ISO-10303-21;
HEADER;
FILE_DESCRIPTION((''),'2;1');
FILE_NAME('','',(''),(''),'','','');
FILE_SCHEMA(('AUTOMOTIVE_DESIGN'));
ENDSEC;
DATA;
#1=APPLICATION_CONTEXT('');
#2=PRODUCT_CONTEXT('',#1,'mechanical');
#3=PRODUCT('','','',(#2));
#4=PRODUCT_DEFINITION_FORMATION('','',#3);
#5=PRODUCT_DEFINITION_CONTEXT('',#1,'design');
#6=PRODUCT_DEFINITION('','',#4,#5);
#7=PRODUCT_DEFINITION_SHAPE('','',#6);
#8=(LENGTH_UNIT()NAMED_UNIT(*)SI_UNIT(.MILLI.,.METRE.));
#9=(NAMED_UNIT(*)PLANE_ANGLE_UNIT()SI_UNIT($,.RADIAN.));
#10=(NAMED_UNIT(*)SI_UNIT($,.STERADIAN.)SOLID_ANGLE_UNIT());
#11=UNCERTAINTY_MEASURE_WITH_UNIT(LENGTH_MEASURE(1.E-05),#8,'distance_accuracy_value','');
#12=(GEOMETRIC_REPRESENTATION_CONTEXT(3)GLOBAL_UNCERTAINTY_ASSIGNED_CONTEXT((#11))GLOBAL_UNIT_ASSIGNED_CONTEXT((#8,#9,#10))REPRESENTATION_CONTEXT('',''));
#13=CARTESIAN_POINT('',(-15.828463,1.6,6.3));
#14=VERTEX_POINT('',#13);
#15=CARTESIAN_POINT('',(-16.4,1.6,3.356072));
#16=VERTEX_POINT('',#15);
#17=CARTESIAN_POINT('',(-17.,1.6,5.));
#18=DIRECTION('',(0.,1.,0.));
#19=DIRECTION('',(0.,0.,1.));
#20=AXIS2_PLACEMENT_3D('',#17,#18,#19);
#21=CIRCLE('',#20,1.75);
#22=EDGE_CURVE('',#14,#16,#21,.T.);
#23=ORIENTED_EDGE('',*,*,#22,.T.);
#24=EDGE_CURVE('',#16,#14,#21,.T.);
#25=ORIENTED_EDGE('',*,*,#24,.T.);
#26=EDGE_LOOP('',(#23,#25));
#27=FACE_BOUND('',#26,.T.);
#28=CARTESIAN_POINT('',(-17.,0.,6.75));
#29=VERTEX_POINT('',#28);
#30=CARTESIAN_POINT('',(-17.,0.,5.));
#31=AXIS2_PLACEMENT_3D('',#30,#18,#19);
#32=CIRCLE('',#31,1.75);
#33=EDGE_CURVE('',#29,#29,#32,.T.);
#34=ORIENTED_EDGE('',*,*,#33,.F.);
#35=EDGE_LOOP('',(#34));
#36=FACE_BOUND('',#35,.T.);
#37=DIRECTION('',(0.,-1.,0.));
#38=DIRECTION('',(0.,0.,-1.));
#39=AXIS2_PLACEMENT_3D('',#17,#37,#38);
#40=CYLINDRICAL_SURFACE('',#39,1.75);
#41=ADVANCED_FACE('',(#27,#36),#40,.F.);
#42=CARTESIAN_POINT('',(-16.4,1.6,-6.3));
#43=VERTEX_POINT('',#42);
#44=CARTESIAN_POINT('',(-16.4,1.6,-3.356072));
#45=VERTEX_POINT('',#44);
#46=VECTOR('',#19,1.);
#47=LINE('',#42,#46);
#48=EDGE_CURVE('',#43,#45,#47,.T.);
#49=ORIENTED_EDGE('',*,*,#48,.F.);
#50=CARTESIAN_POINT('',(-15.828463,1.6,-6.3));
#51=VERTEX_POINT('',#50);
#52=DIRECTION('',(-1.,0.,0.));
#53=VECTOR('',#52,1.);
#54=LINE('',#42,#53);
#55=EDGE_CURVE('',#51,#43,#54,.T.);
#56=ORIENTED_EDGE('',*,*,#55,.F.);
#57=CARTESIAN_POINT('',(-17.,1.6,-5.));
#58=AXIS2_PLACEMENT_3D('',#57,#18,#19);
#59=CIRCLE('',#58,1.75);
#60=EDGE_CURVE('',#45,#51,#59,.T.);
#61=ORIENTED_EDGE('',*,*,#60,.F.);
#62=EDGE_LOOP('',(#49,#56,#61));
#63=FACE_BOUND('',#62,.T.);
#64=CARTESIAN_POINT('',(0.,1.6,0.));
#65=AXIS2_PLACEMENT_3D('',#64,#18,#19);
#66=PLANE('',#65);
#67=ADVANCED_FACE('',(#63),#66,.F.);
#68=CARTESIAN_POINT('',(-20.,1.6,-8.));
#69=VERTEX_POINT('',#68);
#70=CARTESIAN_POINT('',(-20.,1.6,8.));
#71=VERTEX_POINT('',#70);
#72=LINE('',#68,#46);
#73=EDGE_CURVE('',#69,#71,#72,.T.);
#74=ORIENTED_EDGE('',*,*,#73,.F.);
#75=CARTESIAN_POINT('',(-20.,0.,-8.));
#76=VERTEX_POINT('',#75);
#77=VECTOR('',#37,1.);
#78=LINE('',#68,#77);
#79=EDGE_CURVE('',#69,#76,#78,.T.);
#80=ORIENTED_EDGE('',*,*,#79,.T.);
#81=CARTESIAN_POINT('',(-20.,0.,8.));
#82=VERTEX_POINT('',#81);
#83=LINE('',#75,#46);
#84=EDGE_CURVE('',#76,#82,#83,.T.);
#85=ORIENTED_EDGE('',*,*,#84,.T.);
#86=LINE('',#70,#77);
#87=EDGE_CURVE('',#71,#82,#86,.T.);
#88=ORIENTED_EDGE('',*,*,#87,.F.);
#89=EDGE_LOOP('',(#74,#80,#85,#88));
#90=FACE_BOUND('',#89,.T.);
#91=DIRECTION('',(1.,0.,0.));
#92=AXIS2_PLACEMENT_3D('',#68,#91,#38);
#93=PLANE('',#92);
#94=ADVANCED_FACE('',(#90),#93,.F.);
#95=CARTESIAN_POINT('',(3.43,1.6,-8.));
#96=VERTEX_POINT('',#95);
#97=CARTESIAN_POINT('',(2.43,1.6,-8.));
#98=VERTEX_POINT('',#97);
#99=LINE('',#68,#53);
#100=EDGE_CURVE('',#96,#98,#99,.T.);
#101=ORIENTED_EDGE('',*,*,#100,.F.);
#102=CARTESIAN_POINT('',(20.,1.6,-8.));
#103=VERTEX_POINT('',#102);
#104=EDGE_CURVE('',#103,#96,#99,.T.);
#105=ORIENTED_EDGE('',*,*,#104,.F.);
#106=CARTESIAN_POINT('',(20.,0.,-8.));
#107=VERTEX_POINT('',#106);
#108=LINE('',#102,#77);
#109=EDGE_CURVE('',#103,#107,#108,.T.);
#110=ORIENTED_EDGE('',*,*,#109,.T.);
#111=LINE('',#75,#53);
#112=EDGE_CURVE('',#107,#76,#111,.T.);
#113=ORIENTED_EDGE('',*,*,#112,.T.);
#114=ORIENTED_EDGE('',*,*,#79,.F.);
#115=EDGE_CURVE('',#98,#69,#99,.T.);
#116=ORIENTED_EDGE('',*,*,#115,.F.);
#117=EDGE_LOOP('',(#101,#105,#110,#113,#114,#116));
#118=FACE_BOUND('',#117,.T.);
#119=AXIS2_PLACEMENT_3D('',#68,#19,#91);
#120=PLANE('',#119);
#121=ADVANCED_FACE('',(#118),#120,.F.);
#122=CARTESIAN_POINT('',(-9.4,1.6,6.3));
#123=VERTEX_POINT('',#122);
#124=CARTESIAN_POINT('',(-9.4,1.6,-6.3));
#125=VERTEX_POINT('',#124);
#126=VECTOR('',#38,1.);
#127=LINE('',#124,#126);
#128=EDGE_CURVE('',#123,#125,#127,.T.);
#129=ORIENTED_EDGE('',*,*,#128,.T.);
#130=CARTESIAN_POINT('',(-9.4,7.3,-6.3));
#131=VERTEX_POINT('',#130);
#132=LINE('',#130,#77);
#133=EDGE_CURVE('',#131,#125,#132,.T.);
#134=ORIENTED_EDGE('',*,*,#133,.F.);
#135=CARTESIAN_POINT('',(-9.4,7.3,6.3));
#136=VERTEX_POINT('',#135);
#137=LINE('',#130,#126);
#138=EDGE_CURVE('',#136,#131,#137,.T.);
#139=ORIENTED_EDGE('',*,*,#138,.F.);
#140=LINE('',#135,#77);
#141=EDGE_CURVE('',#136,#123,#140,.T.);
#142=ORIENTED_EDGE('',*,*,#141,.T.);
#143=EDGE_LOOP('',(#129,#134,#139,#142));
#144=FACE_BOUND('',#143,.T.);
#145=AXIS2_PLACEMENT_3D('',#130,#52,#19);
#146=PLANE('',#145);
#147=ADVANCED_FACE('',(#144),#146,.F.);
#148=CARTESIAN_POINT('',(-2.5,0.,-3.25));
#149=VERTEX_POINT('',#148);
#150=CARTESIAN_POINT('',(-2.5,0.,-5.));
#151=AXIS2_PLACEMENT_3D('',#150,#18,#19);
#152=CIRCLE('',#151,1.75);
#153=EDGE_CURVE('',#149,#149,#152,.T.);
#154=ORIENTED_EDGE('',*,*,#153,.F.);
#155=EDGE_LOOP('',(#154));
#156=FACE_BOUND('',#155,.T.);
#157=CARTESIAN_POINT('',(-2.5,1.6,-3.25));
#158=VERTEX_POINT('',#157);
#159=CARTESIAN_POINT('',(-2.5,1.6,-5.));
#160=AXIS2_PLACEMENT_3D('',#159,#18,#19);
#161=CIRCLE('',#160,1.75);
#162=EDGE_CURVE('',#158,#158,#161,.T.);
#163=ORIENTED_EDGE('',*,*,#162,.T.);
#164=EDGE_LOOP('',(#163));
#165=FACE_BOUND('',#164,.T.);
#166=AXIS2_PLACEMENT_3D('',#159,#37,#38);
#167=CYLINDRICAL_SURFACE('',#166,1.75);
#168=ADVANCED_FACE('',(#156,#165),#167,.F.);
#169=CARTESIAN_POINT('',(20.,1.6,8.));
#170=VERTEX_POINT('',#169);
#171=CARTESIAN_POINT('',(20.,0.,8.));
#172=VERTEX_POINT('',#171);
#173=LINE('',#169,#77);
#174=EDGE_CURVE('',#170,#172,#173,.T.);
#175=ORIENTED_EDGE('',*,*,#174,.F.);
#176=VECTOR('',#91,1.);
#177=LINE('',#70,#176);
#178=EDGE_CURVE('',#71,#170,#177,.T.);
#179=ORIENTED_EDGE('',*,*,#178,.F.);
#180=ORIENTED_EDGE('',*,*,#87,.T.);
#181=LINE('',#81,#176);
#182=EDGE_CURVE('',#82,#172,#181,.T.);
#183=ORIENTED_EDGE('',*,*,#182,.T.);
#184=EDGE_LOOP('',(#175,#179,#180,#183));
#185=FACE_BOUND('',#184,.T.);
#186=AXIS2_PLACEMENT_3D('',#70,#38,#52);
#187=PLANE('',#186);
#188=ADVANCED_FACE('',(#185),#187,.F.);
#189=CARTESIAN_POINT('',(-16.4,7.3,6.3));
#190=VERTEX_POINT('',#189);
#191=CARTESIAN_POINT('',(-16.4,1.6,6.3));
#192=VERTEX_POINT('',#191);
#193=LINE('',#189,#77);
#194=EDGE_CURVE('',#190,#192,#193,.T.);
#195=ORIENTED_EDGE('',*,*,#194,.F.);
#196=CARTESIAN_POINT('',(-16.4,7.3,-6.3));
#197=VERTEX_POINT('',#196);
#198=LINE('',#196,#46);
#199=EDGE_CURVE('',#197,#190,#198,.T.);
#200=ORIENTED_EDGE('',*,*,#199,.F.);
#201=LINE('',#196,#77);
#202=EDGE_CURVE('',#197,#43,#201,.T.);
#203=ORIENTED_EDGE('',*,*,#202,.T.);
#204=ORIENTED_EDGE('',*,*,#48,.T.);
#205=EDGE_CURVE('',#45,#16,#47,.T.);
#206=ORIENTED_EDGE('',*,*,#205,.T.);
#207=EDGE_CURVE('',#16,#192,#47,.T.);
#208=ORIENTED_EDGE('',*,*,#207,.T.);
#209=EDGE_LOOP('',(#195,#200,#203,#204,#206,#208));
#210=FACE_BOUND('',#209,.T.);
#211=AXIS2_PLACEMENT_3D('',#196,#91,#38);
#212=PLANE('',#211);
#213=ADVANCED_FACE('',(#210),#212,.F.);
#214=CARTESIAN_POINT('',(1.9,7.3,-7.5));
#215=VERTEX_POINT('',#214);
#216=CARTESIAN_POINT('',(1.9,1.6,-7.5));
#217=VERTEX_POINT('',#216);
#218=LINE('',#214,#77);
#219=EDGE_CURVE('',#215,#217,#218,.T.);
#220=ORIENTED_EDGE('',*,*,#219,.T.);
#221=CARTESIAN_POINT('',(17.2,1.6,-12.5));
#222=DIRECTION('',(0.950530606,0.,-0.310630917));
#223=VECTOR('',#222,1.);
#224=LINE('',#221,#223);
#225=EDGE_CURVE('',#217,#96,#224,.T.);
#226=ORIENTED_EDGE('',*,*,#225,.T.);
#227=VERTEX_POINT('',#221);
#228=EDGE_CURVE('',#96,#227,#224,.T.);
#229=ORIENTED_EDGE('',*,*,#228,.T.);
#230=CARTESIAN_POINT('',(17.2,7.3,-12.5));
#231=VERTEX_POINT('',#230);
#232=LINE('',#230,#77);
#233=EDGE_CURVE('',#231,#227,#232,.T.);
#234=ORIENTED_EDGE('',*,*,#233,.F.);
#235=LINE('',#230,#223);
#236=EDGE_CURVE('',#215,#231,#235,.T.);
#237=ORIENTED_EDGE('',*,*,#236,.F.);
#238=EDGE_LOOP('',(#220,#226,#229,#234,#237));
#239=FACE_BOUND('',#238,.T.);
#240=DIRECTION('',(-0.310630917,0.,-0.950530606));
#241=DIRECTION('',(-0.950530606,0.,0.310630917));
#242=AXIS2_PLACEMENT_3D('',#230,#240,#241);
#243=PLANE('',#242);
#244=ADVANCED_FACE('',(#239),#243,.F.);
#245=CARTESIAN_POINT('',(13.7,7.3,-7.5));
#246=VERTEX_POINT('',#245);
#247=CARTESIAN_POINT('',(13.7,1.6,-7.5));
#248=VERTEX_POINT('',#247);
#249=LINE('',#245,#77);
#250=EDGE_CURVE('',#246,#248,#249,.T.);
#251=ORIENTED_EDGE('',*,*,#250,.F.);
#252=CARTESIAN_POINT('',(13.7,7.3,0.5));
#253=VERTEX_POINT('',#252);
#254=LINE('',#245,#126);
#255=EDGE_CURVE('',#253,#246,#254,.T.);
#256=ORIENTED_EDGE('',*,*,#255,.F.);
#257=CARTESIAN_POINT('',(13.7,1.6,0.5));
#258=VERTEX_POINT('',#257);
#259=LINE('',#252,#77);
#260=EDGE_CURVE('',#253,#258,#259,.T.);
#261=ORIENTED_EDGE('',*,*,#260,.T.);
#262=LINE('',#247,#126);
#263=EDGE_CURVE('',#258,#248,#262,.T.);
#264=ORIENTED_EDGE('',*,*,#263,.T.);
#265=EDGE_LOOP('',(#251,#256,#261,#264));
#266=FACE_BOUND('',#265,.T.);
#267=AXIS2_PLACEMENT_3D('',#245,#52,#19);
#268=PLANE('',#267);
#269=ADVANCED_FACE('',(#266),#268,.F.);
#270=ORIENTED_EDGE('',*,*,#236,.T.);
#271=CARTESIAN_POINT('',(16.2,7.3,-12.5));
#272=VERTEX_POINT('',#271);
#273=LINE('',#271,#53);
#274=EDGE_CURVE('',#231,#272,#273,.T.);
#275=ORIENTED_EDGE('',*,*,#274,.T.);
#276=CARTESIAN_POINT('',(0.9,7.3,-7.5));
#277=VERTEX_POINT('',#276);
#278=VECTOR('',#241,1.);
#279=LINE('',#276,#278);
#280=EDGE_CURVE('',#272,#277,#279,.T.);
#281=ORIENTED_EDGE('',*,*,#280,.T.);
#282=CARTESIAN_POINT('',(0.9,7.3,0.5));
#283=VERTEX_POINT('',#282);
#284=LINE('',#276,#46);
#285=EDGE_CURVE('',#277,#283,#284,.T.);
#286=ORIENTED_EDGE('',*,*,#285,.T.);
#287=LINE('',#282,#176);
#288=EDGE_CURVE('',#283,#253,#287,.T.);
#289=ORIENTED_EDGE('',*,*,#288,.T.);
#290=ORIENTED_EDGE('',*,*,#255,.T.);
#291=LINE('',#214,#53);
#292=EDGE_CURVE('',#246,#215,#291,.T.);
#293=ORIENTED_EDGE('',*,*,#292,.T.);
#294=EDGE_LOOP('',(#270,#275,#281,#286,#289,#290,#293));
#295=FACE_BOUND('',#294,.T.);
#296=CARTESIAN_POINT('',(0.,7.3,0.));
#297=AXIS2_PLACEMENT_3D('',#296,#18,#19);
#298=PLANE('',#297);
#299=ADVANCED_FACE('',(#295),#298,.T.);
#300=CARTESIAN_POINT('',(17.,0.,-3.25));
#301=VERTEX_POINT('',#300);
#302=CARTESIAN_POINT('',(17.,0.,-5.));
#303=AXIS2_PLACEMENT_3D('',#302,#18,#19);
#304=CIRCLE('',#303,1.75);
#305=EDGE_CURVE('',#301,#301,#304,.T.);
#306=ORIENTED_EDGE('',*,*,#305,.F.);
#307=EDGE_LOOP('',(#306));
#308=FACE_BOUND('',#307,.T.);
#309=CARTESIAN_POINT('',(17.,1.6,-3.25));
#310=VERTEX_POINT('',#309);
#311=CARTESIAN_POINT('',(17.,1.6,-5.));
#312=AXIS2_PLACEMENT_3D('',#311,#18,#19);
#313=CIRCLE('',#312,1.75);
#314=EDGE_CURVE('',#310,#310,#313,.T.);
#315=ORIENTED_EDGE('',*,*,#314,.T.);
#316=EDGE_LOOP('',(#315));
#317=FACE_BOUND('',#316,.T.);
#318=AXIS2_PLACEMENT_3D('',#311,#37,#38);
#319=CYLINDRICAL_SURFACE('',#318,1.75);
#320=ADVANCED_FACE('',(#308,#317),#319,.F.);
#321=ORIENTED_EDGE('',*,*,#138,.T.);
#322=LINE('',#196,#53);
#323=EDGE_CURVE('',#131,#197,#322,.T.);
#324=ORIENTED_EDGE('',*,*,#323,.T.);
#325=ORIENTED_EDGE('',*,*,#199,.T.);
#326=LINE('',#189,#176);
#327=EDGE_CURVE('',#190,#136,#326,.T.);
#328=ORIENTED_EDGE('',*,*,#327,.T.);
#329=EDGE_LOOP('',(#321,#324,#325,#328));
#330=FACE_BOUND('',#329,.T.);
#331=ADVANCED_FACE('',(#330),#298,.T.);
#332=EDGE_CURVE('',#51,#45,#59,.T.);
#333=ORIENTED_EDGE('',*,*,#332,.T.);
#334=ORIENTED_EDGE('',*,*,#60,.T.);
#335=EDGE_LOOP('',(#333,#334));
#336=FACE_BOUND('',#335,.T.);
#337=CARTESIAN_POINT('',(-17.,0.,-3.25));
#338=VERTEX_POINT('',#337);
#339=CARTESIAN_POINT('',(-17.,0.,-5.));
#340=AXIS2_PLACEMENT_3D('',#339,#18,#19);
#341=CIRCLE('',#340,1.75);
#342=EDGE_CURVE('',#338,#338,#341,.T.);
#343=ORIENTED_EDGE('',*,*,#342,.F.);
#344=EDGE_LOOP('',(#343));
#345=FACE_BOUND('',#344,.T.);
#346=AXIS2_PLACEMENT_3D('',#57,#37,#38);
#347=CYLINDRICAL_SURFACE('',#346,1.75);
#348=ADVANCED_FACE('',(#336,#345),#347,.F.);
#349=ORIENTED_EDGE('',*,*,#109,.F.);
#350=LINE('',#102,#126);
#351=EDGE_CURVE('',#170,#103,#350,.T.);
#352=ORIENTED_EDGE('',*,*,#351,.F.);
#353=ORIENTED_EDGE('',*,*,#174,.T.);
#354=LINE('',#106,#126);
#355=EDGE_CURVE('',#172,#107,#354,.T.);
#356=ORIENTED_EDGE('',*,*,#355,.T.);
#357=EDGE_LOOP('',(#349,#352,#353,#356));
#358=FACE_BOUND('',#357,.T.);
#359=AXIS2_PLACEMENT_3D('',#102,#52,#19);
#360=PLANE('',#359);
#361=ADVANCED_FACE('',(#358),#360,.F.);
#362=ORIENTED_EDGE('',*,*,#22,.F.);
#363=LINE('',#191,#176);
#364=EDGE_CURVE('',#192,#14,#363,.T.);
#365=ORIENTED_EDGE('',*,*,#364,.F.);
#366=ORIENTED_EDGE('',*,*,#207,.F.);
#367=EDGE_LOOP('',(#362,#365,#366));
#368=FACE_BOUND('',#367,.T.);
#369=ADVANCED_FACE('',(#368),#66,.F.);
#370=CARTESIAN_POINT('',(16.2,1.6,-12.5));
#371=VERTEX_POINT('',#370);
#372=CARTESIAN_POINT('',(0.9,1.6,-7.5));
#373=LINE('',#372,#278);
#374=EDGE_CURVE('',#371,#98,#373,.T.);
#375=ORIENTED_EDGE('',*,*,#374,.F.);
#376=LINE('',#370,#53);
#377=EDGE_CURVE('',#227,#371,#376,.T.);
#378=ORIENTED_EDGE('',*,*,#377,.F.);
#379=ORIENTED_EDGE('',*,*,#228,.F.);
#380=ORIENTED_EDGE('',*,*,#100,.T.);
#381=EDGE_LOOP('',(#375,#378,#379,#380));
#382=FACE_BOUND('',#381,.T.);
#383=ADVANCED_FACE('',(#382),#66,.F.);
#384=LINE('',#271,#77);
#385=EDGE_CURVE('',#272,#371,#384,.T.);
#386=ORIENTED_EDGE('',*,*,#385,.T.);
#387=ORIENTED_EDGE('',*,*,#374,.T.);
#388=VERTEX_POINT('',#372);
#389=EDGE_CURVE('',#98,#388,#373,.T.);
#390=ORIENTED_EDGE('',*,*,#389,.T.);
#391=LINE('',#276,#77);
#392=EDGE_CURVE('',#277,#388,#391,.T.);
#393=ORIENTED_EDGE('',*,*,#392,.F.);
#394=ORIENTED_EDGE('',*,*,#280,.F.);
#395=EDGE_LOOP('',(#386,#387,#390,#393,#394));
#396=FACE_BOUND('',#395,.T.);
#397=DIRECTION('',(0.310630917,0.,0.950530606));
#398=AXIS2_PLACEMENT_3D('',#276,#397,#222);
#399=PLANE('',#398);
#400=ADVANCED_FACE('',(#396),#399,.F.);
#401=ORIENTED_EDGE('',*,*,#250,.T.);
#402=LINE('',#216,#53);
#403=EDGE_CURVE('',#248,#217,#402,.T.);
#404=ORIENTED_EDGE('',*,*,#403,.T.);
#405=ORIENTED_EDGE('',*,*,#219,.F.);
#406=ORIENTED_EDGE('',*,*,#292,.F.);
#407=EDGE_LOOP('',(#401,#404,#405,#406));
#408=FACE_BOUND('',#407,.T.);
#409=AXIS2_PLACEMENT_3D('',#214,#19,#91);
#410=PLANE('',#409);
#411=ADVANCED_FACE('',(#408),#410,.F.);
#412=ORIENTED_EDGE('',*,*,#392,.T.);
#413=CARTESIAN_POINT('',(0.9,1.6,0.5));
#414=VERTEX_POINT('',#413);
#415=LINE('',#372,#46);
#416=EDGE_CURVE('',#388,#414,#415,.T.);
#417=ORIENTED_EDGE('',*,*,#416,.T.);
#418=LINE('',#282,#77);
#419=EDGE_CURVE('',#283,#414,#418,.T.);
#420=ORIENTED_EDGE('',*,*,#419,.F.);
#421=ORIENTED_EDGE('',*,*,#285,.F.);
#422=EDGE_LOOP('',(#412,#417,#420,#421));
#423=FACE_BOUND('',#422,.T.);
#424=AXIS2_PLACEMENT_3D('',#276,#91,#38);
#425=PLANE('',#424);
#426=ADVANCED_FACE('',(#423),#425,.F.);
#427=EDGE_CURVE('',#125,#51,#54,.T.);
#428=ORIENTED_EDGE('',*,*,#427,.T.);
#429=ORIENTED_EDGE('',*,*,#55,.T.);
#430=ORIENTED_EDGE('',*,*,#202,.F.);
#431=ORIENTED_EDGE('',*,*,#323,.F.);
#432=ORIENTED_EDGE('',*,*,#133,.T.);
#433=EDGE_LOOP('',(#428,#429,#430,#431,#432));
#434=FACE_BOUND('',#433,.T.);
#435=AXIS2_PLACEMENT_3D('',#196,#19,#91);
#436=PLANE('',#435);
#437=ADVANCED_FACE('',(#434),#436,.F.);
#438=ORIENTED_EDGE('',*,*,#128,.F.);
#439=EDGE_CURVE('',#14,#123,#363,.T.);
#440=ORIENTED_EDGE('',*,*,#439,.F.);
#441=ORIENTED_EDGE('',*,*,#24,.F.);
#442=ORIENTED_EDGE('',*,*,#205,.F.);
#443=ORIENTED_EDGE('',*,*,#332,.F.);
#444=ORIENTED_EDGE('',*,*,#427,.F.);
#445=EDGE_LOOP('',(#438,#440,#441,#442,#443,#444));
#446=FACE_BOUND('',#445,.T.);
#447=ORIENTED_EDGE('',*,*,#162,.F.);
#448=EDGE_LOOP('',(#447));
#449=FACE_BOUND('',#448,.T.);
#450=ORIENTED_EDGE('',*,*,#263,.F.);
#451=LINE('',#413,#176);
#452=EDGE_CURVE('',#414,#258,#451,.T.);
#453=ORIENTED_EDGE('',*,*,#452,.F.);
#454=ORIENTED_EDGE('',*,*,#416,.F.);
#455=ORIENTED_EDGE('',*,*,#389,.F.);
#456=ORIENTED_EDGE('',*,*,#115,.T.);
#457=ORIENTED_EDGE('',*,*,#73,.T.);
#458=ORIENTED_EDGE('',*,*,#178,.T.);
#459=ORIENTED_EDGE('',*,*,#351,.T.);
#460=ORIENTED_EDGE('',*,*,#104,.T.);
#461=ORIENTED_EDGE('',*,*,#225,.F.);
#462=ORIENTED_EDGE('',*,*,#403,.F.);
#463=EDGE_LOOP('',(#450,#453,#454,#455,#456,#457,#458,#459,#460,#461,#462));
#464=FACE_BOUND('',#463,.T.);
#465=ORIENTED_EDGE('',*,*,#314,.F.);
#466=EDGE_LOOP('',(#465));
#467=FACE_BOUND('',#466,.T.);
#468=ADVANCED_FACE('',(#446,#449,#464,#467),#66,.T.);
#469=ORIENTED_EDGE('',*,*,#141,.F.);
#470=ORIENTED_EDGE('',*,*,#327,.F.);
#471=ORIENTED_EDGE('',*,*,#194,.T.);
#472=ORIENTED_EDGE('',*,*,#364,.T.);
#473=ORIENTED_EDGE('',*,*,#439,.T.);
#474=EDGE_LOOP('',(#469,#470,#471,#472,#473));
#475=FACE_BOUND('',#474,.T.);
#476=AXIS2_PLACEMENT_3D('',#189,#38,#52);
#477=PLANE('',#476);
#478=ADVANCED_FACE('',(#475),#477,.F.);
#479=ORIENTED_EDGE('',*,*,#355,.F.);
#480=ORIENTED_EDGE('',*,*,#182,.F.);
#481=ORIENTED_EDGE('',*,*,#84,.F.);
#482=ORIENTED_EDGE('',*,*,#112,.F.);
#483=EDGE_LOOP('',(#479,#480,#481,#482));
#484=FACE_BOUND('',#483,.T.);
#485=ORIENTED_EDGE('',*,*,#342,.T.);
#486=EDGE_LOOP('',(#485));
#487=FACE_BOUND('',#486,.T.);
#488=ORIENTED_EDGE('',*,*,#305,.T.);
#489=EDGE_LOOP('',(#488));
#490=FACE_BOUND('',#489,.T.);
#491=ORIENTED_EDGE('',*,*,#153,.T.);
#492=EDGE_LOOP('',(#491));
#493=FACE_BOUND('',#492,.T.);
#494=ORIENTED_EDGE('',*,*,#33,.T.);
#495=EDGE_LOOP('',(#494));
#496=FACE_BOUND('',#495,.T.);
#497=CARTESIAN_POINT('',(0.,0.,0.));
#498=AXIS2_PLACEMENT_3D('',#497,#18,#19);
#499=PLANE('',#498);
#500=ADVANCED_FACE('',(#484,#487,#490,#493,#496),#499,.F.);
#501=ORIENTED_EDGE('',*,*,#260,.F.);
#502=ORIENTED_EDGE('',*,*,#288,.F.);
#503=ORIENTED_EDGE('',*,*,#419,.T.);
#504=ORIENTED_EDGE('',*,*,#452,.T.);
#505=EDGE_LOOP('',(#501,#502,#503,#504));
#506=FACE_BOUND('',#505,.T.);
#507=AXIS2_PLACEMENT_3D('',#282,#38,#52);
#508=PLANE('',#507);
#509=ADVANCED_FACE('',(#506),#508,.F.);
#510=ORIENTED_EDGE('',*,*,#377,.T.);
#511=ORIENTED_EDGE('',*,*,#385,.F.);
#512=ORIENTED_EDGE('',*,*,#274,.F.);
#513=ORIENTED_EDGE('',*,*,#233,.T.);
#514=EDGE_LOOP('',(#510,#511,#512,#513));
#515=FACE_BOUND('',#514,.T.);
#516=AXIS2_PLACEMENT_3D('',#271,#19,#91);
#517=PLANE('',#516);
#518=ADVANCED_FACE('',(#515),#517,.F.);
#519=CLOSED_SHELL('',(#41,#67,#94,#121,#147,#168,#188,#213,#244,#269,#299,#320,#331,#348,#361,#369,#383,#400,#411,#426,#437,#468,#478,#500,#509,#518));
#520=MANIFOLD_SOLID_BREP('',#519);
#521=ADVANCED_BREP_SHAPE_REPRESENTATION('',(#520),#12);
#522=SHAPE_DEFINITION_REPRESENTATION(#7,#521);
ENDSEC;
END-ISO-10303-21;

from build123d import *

# Parameters (mm, degrees)
SKETCH1_W           = 40
SKETCH1_H           = 16
BOSS_EXTRUDE1_DEPTH = 1.6
SKETCH2_R           = 1.75
CUT_EXTRUDE1_DEPTH  = 1.6
BOSS_EXTRUDE2_DEPTH = 5.7
SKETCH4_W           = 7
SKETCH4_H           = 12.6
BOSS_EXTRUDE3_DEPTH = 5.7


with BuildPart() as part:
    # Sketch1 → Boss-Extrude1 (new body)
    with BuildSketch(Plane(origin=(0, 0, 0), x_dir=(1, 0, 0), z_dir=(0, 1, 0))):
        Rectangle(SKETCH1_W, SKETCH1_H)
    extrude(amount=BOSS_EXTRUDE1_DEPTH)

    # Sketch2 → Cut-Extrude1 (cut)
    with BuildSketch(Plane(origin=(0, 0, 0), x_dir=(1, 0, 0), z_dir=(0, 1, 0))):
        with Locations(Location((-17, 5, 0), (0, 0, 270))):
            Circle(SKETCH2_R)
        with Locations(Location((-17, -5, 0), (0, 0, 270))):
            Circle(SKETCH2_R)
        with Locations(Location((-2.5, 5, 0), (0, 0, 270))):
            Circle(SKETCH2_R)
        with Locations(Location((17, 5, 0), (0, 0, 270))):
            Circle(SKETCH2_R)
    extrude(amount=CUT_EXTRUDE1_DEPTH, mode=Mode.SUBTRACT)

    # Sketch3 → Boss-Extrude2 (add)
    with BuildSketch(Plane(origin=(0, 1.6, 0), x_dir=(1, 0, 0), z_dir=(0, 1, 0))):
        Polygon((0.9, 7.5), (16.2, 12.5), (17.2, 12.5), (1.9, 7.5), (13.7, 7.5), (13.7, -0.5), (0.9, -0.5), align=None)
    extrude(amount=BOSS_EXTRUDE2_DEPTH)

    # Sketch4 → Boss-Extrude3 (add)
    with BuildSketch(Plane(origin=(0, 1.6, 0), x_dir=(1, 0, 0), z_dir=(0, 1, 0))):
        with Locations((-12.9, 0)):
            Rectangle(SKETCH4_W, SKETCH4_H)
    extrude(amount=BOSS_EXTRUDE3_DEPTH)


solid = part.part
